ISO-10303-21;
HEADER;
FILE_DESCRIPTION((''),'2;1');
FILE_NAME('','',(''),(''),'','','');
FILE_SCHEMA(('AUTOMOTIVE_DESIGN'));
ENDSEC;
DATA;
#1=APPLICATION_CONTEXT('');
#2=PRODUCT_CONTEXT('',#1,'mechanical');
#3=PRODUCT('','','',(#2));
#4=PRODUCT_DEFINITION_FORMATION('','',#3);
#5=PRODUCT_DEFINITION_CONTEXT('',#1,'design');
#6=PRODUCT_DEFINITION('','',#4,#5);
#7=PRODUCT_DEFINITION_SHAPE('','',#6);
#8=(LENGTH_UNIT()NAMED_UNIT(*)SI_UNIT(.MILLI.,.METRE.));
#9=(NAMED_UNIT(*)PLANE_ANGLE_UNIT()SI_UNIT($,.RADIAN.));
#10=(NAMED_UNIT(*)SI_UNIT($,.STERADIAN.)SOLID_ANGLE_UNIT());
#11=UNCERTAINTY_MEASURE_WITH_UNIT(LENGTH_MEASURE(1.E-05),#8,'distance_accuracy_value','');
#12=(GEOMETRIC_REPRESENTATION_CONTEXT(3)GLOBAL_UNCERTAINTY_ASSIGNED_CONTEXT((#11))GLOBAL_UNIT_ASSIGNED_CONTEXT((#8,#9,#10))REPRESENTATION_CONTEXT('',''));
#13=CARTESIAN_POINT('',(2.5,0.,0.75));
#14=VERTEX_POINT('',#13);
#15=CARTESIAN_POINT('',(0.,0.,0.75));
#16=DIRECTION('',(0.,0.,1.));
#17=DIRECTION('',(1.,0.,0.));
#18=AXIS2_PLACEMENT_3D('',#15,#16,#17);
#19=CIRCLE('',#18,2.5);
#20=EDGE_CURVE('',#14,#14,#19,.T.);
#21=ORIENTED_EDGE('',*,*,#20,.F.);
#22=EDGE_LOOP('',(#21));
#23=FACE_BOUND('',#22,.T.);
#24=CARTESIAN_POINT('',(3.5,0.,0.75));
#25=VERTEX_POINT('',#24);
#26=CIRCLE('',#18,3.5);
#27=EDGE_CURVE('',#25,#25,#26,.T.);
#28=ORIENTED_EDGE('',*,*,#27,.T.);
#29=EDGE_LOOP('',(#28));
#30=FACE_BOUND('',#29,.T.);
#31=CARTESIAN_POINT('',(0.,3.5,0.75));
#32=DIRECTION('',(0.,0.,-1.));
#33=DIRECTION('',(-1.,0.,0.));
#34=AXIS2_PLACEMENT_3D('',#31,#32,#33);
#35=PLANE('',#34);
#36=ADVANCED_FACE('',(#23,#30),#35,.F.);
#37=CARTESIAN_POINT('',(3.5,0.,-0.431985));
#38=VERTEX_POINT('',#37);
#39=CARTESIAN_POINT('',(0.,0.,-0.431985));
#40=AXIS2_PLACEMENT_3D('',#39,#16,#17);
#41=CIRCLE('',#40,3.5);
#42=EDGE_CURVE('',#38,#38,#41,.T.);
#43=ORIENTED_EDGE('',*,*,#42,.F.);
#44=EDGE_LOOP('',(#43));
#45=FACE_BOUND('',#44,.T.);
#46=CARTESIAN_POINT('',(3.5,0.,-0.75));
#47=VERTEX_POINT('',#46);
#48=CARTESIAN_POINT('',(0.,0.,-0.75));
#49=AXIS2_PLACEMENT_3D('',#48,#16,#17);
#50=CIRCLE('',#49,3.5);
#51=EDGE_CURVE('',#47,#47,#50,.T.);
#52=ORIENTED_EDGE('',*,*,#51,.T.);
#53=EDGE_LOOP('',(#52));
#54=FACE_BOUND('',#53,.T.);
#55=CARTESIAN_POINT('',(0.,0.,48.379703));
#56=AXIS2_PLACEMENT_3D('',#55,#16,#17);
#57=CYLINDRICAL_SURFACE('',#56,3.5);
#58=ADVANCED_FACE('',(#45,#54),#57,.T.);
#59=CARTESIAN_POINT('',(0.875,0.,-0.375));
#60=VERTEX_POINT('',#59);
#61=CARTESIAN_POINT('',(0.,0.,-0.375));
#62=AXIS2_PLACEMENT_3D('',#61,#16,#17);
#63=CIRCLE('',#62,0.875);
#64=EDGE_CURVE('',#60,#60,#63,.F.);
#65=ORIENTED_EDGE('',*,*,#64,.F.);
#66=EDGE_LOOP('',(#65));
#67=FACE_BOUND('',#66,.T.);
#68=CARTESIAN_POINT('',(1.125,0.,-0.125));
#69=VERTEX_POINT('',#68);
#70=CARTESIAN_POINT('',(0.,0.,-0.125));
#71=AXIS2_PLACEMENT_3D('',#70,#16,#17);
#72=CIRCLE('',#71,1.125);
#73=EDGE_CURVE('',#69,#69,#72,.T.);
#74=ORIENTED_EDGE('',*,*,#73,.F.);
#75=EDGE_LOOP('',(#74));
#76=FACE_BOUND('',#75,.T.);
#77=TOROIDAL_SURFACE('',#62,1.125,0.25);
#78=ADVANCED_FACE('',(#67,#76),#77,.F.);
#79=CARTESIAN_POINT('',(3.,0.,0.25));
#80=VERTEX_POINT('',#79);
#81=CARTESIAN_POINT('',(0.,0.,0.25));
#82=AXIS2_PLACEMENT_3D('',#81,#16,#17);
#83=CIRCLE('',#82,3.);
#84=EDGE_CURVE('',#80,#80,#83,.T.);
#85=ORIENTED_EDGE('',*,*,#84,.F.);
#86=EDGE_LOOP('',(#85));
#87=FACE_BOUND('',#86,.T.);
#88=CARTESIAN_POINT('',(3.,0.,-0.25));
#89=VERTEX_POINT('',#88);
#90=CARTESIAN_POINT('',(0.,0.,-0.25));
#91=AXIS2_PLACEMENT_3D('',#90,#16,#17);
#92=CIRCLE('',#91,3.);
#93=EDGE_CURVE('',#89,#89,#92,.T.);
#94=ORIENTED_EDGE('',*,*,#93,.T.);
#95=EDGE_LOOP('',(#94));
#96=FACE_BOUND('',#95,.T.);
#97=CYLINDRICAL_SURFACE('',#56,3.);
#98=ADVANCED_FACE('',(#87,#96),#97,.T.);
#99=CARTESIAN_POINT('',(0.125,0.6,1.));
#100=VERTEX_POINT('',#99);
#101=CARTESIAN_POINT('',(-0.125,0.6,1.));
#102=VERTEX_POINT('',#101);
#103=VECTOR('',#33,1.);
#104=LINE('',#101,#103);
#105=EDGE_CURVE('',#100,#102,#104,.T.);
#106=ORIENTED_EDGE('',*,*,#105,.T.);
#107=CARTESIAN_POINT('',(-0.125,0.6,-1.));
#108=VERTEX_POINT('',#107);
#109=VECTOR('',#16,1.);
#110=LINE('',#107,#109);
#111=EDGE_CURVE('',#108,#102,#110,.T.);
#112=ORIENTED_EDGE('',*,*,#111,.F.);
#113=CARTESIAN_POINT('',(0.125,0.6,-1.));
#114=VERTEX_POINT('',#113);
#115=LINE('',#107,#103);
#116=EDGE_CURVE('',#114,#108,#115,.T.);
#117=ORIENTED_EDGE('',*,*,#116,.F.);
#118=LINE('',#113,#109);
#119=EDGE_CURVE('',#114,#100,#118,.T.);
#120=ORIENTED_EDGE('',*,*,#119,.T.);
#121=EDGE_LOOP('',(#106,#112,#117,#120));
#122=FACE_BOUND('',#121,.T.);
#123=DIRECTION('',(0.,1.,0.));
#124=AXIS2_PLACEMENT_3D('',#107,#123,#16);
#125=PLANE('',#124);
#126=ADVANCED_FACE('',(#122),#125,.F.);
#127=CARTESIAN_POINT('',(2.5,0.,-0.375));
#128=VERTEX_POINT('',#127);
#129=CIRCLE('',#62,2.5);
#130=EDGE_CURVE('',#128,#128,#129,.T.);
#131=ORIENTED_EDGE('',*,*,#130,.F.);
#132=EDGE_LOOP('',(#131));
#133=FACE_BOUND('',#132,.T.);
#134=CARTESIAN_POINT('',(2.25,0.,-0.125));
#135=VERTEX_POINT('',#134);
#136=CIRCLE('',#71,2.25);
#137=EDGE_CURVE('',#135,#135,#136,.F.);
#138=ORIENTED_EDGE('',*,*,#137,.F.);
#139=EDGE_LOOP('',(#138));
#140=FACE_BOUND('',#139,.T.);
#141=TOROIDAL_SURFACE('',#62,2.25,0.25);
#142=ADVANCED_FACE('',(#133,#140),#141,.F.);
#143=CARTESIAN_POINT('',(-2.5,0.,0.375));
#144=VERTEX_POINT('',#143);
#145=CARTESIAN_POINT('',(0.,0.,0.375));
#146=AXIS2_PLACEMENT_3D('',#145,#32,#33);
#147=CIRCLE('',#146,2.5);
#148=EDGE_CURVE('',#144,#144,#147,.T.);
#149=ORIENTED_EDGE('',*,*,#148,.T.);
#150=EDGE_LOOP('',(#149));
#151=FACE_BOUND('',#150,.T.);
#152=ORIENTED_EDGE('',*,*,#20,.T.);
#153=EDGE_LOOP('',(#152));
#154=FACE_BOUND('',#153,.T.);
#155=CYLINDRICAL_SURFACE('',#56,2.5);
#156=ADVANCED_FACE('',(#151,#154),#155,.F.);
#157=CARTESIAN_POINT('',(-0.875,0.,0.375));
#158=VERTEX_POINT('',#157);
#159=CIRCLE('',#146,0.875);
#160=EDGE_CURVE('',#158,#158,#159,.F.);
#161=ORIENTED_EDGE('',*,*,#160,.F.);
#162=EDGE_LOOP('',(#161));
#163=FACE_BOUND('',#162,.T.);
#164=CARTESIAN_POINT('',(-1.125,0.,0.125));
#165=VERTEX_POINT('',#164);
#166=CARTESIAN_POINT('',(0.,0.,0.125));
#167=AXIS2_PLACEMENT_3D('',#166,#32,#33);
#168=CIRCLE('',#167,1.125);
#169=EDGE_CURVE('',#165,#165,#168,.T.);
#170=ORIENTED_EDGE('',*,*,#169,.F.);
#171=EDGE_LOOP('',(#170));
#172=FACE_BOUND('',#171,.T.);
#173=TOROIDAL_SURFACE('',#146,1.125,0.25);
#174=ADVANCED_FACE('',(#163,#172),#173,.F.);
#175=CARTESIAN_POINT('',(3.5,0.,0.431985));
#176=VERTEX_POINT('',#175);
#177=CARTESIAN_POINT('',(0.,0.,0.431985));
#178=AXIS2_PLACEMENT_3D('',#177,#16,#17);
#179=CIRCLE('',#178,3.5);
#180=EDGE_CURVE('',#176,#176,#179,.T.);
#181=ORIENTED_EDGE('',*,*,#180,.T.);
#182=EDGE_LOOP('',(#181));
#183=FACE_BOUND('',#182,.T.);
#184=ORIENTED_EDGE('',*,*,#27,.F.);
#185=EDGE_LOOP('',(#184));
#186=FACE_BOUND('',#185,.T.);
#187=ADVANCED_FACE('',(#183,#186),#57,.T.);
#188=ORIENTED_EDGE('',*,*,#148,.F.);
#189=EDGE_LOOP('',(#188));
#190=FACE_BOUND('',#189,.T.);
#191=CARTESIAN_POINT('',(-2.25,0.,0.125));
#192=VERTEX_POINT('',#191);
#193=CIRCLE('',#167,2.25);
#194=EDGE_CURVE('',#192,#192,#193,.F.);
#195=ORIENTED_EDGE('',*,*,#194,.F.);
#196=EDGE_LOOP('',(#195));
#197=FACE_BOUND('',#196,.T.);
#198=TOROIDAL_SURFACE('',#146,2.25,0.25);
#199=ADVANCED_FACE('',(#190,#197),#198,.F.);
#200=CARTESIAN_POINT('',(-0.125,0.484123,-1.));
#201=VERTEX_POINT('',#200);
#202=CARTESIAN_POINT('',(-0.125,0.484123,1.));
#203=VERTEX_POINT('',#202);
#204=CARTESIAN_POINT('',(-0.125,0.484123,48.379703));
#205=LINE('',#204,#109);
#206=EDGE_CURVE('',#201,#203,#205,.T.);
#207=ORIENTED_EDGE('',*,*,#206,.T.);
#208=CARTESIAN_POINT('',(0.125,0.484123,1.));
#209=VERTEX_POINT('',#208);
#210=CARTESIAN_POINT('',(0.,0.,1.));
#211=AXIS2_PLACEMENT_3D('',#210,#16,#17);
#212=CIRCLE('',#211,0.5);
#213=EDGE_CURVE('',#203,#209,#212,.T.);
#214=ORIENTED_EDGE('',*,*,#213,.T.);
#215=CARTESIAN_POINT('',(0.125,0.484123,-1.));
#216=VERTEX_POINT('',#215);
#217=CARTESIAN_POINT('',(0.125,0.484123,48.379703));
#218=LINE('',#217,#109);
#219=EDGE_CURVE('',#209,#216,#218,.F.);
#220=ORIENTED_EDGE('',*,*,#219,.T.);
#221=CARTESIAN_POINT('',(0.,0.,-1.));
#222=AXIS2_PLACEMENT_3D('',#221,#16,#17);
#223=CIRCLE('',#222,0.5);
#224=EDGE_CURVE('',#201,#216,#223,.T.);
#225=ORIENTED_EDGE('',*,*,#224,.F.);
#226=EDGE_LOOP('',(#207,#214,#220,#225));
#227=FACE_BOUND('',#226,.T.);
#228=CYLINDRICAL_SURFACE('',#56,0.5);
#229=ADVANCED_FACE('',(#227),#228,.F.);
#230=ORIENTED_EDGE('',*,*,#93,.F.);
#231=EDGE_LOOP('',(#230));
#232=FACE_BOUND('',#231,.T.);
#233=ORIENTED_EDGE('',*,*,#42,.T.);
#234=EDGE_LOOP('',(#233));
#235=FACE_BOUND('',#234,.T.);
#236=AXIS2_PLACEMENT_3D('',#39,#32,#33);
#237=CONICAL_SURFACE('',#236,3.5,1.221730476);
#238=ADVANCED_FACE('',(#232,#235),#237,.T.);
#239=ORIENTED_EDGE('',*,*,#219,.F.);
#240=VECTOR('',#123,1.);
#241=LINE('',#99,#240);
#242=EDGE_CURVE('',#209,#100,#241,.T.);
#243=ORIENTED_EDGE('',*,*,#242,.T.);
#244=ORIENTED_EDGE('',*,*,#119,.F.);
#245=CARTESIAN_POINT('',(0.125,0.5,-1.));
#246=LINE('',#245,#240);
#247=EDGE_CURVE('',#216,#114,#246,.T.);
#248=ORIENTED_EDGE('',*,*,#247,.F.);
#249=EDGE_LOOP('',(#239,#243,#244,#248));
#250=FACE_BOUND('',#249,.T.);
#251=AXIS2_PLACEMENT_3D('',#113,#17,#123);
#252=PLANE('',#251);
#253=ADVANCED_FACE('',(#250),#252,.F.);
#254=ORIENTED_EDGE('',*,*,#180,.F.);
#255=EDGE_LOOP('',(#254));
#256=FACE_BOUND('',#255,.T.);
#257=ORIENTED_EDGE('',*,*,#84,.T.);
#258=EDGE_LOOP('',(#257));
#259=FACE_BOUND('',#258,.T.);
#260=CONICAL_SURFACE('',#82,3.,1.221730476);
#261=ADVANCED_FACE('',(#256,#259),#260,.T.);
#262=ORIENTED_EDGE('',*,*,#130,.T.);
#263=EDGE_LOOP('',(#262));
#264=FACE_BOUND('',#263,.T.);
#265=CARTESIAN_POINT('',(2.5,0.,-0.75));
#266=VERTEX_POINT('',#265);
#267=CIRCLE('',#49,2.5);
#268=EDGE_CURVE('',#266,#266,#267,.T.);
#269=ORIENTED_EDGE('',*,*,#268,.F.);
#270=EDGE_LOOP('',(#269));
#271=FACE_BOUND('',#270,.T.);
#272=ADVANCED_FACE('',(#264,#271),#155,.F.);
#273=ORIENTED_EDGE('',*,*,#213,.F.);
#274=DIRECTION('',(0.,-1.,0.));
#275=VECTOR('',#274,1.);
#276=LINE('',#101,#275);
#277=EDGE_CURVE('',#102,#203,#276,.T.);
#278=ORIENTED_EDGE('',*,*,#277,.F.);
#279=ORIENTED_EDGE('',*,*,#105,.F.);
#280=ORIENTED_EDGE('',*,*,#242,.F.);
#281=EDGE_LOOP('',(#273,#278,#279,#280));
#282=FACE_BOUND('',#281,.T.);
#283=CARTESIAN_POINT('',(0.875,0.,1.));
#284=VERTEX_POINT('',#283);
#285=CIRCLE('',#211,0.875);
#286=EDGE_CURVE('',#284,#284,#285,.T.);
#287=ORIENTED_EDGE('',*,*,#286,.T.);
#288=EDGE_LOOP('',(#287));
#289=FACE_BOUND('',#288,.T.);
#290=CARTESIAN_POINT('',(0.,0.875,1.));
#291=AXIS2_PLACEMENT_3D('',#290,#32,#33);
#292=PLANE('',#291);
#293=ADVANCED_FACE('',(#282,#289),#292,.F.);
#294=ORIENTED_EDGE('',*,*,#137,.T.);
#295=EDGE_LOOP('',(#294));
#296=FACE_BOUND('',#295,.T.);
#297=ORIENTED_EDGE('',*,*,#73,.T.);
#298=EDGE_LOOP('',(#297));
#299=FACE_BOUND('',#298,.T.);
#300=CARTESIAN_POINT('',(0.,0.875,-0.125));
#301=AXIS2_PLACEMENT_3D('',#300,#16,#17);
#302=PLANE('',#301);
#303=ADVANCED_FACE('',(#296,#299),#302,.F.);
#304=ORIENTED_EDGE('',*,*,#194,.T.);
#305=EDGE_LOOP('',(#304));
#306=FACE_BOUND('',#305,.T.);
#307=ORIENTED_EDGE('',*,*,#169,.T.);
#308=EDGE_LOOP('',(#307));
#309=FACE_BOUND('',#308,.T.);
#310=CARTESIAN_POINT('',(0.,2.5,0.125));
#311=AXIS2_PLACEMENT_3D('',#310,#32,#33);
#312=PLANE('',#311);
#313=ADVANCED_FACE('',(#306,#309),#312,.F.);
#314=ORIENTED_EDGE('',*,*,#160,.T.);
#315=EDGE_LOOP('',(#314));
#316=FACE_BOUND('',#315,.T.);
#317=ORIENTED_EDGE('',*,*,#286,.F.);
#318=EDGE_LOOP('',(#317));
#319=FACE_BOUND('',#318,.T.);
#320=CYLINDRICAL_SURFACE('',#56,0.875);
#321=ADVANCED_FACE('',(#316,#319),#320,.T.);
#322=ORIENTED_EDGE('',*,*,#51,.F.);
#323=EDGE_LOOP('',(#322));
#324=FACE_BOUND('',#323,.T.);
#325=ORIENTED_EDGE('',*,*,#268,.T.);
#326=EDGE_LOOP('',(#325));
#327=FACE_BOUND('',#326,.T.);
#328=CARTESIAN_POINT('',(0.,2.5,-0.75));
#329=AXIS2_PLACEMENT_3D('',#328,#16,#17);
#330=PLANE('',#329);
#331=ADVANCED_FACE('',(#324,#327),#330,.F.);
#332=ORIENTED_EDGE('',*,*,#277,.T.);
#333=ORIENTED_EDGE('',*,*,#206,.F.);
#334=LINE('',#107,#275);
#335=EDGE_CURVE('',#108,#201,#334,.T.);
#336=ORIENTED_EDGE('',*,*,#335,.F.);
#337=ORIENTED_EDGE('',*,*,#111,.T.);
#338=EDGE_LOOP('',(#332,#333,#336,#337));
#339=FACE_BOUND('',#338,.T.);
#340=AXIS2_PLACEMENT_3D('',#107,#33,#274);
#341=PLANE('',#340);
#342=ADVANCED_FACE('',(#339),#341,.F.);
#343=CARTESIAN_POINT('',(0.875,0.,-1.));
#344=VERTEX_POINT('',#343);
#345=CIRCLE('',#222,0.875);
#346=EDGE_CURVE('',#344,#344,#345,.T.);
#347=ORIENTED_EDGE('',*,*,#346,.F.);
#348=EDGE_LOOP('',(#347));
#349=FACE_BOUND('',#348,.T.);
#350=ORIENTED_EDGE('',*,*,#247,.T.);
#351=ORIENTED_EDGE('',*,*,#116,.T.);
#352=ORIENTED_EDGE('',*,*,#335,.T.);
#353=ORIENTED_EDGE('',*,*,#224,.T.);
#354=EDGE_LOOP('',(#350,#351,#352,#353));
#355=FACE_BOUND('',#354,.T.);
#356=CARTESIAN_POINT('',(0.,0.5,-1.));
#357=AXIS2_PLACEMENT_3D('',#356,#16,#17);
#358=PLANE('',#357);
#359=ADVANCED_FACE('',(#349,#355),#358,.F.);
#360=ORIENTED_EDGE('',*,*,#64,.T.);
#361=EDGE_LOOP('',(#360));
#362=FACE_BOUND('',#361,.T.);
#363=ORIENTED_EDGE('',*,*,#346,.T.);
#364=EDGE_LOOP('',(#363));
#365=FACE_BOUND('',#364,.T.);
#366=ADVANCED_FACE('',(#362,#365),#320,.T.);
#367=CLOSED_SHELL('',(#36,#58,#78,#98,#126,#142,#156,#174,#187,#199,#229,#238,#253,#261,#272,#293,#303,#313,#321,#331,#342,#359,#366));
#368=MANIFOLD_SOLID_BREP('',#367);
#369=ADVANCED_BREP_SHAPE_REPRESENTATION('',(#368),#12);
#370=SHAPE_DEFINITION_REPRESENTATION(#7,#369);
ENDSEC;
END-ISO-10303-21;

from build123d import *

# Parameters (mm, degrees)
FILLET1_R          = 0.25
SKETCH2_W          = 0.25
SKETCH2_H          = 0.25
CUT_EXTRUDE1_DEPTH = 6.338539126


with BuildPart() as part:
    # Sketch1 → Revolve1 (revolve)
    with BuildSketch(Plane(origin=(0, 0, 0), x_dir=(0, 0, -1), z_dir=(1, 0, 0)), mode=Mode.PRIVATE) as revolve1_sk:
        Polygon((-1, 0.5), (1, 0.5), (1, 0.875), (0.125, 0.875), (0.125, 2.5), (0.75, 2.5), (0.75, 3.5), (0.431985117, 3.5), (0.25, 3), (-0.25, 3), (-0.431985117, 3.5), (-0.75, 3.5), (-0.75, 2.5), (-0.125, 2.5), (-0.125, 0.875), (-1, 0.875), align=None)
    revolve(revolve1_sk.sketch.rotate(Axis((0, 0, 48.379703039), (0, 0, -1)), 90), axis=Axis((0, 0, 48.379703039), (0, 0, -1)))

    # Fillet1
    fillet1_edges = [part.edges().sort_by_distance(p)[0] for p in [
        (-0.875, 0, 0.125),
        (-2.5, 0, 0.125),
        (-2.5, 0, -0.125),
        (-0.875, 0, -0.125),
    ]]
    fillet(fillet1_edges, radius=FILLET1_R)

    # Sketch2 → Cut-Extrude1 (cut, through all)
    with BuildSketch(Plane.XY.offset(1)):
        with Locations((0, 0.475)):
            Rectangle(SKETCH2_W, SKETCH2_H)
    extrude(amount=-CUT_EXTRUDE1_DEPTH, mode=Mode.SUBTRACT)


solid = part.part
